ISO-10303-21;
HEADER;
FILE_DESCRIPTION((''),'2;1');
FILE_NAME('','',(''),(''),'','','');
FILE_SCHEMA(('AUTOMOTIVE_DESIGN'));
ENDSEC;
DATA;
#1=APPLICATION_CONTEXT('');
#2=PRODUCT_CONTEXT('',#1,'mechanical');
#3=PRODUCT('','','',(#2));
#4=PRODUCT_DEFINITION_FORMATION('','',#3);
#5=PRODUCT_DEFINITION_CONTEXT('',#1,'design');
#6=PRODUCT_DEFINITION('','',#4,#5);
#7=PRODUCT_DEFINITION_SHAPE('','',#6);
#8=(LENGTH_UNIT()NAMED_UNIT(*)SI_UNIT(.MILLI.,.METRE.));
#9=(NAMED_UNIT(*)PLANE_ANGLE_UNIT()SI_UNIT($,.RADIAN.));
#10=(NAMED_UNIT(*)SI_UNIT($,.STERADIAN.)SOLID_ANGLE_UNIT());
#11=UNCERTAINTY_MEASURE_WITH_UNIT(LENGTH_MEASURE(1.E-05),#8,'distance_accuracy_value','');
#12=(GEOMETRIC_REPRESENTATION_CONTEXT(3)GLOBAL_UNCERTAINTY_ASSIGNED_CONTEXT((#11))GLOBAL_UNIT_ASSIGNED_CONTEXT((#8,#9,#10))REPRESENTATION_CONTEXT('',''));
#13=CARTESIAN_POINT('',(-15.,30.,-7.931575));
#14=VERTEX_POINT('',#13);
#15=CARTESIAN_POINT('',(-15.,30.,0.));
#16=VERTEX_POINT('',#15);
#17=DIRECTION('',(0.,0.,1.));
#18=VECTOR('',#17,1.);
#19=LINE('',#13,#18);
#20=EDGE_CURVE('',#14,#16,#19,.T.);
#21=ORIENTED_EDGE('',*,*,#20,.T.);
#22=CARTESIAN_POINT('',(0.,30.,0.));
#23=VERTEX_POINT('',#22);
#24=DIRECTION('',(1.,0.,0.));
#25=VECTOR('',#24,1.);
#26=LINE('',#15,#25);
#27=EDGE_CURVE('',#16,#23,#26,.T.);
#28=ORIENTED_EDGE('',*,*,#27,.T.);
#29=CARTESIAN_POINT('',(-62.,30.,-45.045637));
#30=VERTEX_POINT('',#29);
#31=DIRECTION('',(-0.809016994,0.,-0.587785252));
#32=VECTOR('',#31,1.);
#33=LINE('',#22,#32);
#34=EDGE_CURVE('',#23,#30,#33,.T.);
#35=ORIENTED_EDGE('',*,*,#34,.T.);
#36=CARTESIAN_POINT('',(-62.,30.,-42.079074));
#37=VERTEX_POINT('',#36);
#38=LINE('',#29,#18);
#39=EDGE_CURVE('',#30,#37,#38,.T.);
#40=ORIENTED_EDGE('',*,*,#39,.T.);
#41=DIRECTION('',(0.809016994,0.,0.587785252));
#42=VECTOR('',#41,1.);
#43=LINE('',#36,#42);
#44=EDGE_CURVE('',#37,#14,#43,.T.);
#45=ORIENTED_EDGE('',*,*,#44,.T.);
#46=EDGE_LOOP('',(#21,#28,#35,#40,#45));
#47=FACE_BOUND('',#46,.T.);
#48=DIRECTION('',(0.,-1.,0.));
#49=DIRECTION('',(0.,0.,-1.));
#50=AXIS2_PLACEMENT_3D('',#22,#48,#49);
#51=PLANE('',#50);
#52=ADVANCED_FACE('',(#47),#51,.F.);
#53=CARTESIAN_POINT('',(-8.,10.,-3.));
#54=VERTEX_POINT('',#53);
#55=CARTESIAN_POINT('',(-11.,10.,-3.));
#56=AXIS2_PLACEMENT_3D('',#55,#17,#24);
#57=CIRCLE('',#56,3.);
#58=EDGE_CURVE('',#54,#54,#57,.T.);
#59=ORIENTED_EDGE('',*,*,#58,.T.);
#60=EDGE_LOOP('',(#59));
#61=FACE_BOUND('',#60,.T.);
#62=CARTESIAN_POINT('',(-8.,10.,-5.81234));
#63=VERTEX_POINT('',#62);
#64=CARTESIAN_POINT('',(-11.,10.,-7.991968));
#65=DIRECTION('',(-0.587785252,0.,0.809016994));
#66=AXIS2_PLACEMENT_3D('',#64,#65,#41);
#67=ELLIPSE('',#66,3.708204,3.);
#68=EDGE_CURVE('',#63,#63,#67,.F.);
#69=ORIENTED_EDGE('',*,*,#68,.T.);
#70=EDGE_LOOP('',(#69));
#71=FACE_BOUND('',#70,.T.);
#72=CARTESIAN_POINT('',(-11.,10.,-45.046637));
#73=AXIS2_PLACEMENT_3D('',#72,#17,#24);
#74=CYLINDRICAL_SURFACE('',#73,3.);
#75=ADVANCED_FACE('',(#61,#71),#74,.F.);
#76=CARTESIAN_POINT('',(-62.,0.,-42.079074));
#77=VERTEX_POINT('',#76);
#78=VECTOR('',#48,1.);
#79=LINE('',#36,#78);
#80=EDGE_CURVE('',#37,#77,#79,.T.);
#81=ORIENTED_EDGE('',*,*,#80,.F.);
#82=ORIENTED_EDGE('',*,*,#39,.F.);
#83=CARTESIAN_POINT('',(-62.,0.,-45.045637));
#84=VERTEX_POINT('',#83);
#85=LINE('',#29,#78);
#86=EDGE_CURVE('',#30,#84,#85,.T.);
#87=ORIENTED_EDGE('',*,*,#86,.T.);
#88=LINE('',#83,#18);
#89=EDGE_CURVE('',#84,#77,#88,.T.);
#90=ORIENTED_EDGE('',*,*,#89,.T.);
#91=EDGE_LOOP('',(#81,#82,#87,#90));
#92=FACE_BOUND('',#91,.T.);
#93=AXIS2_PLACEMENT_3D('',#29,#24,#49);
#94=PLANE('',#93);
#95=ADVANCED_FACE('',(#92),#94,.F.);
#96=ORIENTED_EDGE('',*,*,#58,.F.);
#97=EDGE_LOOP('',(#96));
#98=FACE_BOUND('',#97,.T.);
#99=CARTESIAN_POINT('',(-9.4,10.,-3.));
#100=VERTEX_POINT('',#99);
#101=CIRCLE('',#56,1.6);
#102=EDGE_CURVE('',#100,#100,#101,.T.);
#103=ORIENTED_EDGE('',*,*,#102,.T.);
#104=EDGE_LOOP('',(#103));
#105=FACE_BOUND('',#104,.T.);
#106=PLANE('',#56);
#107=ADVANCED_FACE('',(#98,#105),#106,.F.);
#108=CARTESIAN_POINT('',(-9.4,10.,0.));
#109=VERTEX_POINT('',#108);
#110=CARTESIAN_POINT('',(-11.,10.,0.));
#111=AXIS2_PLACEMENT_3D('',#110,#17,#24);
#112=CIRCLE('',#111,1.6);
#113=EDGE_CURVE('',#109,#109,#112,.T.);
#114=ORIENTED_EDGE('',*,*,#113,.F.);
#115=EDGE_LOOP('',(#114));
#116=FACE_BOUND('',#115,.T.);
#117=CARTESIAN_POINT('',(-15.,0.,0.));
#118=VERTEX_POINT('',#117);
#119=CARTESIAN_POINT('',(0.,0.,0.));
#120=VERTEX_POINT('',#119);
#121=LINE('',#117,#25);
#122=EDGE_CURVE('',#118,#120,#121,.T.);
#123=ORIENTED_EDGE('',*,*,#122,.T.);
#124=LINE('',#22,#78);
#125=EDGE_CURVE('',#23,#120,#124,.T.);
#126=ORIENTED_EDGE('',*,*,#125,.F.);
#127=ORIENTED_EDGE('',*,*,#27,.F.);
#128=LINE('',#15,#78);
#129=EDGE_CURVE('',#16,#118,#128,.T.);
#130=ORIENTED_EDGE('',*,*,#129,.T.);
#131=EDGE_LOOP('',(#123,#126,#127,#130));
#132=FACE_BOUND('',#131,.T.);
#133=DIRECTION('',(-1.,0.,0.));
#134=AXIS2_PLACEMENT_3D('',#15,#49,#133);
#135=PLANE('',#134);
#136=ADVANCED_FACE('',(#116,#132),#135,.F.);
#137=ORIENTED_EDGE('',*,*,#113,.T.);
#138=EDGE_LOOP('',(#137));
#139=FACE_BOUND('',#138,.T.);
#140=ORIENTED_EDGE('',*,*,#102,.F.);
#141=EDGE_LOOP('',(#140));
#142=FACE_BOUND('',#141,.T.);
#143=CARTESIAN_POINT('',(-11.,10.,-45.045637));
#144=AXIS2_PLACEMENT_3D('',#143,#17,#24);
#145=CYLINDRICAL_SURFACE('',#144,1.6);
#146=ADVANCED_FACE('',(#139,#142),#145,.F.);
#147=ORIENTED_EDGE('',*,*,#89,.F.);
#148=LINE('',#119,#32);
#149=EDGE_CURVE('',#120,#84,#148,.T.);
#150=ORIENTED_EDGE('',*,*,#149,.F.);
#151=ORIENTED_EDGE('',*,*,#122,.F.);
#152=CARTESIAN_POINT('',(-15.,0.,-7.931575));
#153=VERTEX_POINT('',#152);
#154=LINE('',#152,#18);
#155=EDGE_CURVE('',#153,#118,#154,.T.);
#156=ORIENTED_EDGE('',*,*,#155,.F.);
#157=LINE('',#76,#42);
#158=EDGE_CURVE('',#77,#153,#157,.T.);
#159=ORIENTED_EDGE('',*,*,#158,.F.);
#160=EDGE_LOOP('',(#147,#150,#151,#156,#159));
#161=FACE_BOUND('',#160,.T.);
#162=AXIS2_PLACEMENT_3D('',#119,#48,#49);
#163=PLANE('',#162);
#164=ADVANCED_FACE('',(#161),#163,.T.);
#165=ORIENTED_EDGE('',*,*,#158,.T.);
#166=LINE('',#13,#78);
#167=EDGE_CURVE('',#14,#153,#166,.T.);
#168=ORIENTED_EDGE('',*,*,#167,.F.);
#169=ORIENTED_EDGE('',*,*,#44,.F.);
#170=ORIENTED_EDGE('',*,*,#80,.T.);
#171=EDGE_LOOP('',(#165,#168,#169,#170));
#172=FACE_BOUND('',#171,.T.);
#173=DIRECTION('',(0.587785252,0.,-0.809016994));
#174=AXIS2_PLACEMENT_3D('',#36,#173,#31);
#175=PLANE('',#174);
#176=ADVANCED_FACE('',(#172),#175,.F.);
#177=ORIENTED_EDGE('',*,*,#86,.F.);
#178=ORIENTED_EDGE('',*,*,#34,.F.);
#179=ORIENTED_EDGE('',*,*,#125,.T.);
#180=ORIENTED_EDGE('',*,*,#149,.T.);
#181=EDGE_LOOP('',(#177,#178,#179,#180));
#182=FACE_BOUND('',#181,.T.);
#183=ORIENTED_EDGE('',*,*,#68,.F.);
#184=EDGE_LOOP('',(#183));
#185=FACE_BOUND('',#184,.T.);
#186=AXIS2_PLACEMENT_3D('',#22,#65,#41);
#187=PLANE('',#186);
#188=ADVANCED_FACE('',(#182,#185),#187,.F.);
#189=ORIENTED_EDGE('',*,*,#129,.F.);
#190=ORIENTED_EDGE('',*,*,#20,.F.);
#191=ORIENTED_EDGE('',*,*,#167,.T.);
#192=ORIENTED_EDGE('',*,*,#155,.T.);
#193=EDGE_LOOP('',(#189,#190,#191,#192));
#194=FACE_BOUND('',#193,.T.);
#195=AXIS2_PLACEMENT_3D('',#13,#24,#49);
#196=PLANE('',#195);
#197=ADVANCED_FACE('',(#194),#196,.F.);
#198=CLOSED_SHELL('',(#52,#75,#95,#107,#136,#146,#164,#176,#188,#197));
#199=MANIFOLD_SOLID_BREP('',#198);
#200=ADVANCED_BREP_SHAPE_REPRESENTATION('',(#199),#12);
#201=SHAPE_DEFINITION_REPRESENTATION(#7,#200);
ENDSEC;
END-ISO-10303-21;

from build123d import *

# Parameters (mm, degrees)
EXTRUDE_1_DEPTH     = 30
SKETCH_2_R          = 1.6
CUT_EXTRUDE_1_DEPTH = 83.29890272
CUT_EXTRUDE_2_REACH = 82.696
SKETCH_3_R          = 3


with BuildPart() as part:
    # 草图1 → 凸台-拉伸1 (new body)
    with BuildSketch(Plane(origin=(0, 0, 0), x_dir=(1, 0, 0), z_dir=(0, 1, 0))):
        Polygon((0, 0), (-62, 45.045636736), (-62, 42.07907359), (-15, 7.931574774), (-15, 0), align=None)
    extrude(amount=EXTRUDE_1_DEPTH)

    # 草图2 → 切除-拉伸1 (cut, through all)
    with BuildSketch(Plane.XY):
        with Locations((-11, 10)):
            Circle(SKETCH_2_R)
    extrude(amount=-CUT_EXTRUDE_1_DEPTH, mode=Mode.SUBTRACT)

    # 切除-拉伸2: up to this plane
    cut_extrude_2_end = Plane(origin=(0, 30, 0), z_dir=(-0.5877852522924716, 0, 0.8090169943749486))
    # 草图3 → 切除-拉伸2 (cut, up to the surface)
    with BuildSketch(Plane.XY.offset(-3), mode=Mode.PRIVATE) as cut_extrude_2_sk1:
        with Locations((-11, 10)):
            Circle(SKETCH_3_R)
    cut_extrude_2_tool1 = split(extrude(cut_extrude_2_sk1.sketch, amount=-CUT_EXTRUDE_2_REACH, mode=Mode.PRIVATE), bisect_by=cut_extrude_2_end, keep=Keep.BOTH, mode=Mode.PRIVATE)
    add(cut_extrude_2_tool1.solids().sort_by_distance((-11, 10, -3))[0], mode=Mode.SUBTRACT)


solid = part.part
